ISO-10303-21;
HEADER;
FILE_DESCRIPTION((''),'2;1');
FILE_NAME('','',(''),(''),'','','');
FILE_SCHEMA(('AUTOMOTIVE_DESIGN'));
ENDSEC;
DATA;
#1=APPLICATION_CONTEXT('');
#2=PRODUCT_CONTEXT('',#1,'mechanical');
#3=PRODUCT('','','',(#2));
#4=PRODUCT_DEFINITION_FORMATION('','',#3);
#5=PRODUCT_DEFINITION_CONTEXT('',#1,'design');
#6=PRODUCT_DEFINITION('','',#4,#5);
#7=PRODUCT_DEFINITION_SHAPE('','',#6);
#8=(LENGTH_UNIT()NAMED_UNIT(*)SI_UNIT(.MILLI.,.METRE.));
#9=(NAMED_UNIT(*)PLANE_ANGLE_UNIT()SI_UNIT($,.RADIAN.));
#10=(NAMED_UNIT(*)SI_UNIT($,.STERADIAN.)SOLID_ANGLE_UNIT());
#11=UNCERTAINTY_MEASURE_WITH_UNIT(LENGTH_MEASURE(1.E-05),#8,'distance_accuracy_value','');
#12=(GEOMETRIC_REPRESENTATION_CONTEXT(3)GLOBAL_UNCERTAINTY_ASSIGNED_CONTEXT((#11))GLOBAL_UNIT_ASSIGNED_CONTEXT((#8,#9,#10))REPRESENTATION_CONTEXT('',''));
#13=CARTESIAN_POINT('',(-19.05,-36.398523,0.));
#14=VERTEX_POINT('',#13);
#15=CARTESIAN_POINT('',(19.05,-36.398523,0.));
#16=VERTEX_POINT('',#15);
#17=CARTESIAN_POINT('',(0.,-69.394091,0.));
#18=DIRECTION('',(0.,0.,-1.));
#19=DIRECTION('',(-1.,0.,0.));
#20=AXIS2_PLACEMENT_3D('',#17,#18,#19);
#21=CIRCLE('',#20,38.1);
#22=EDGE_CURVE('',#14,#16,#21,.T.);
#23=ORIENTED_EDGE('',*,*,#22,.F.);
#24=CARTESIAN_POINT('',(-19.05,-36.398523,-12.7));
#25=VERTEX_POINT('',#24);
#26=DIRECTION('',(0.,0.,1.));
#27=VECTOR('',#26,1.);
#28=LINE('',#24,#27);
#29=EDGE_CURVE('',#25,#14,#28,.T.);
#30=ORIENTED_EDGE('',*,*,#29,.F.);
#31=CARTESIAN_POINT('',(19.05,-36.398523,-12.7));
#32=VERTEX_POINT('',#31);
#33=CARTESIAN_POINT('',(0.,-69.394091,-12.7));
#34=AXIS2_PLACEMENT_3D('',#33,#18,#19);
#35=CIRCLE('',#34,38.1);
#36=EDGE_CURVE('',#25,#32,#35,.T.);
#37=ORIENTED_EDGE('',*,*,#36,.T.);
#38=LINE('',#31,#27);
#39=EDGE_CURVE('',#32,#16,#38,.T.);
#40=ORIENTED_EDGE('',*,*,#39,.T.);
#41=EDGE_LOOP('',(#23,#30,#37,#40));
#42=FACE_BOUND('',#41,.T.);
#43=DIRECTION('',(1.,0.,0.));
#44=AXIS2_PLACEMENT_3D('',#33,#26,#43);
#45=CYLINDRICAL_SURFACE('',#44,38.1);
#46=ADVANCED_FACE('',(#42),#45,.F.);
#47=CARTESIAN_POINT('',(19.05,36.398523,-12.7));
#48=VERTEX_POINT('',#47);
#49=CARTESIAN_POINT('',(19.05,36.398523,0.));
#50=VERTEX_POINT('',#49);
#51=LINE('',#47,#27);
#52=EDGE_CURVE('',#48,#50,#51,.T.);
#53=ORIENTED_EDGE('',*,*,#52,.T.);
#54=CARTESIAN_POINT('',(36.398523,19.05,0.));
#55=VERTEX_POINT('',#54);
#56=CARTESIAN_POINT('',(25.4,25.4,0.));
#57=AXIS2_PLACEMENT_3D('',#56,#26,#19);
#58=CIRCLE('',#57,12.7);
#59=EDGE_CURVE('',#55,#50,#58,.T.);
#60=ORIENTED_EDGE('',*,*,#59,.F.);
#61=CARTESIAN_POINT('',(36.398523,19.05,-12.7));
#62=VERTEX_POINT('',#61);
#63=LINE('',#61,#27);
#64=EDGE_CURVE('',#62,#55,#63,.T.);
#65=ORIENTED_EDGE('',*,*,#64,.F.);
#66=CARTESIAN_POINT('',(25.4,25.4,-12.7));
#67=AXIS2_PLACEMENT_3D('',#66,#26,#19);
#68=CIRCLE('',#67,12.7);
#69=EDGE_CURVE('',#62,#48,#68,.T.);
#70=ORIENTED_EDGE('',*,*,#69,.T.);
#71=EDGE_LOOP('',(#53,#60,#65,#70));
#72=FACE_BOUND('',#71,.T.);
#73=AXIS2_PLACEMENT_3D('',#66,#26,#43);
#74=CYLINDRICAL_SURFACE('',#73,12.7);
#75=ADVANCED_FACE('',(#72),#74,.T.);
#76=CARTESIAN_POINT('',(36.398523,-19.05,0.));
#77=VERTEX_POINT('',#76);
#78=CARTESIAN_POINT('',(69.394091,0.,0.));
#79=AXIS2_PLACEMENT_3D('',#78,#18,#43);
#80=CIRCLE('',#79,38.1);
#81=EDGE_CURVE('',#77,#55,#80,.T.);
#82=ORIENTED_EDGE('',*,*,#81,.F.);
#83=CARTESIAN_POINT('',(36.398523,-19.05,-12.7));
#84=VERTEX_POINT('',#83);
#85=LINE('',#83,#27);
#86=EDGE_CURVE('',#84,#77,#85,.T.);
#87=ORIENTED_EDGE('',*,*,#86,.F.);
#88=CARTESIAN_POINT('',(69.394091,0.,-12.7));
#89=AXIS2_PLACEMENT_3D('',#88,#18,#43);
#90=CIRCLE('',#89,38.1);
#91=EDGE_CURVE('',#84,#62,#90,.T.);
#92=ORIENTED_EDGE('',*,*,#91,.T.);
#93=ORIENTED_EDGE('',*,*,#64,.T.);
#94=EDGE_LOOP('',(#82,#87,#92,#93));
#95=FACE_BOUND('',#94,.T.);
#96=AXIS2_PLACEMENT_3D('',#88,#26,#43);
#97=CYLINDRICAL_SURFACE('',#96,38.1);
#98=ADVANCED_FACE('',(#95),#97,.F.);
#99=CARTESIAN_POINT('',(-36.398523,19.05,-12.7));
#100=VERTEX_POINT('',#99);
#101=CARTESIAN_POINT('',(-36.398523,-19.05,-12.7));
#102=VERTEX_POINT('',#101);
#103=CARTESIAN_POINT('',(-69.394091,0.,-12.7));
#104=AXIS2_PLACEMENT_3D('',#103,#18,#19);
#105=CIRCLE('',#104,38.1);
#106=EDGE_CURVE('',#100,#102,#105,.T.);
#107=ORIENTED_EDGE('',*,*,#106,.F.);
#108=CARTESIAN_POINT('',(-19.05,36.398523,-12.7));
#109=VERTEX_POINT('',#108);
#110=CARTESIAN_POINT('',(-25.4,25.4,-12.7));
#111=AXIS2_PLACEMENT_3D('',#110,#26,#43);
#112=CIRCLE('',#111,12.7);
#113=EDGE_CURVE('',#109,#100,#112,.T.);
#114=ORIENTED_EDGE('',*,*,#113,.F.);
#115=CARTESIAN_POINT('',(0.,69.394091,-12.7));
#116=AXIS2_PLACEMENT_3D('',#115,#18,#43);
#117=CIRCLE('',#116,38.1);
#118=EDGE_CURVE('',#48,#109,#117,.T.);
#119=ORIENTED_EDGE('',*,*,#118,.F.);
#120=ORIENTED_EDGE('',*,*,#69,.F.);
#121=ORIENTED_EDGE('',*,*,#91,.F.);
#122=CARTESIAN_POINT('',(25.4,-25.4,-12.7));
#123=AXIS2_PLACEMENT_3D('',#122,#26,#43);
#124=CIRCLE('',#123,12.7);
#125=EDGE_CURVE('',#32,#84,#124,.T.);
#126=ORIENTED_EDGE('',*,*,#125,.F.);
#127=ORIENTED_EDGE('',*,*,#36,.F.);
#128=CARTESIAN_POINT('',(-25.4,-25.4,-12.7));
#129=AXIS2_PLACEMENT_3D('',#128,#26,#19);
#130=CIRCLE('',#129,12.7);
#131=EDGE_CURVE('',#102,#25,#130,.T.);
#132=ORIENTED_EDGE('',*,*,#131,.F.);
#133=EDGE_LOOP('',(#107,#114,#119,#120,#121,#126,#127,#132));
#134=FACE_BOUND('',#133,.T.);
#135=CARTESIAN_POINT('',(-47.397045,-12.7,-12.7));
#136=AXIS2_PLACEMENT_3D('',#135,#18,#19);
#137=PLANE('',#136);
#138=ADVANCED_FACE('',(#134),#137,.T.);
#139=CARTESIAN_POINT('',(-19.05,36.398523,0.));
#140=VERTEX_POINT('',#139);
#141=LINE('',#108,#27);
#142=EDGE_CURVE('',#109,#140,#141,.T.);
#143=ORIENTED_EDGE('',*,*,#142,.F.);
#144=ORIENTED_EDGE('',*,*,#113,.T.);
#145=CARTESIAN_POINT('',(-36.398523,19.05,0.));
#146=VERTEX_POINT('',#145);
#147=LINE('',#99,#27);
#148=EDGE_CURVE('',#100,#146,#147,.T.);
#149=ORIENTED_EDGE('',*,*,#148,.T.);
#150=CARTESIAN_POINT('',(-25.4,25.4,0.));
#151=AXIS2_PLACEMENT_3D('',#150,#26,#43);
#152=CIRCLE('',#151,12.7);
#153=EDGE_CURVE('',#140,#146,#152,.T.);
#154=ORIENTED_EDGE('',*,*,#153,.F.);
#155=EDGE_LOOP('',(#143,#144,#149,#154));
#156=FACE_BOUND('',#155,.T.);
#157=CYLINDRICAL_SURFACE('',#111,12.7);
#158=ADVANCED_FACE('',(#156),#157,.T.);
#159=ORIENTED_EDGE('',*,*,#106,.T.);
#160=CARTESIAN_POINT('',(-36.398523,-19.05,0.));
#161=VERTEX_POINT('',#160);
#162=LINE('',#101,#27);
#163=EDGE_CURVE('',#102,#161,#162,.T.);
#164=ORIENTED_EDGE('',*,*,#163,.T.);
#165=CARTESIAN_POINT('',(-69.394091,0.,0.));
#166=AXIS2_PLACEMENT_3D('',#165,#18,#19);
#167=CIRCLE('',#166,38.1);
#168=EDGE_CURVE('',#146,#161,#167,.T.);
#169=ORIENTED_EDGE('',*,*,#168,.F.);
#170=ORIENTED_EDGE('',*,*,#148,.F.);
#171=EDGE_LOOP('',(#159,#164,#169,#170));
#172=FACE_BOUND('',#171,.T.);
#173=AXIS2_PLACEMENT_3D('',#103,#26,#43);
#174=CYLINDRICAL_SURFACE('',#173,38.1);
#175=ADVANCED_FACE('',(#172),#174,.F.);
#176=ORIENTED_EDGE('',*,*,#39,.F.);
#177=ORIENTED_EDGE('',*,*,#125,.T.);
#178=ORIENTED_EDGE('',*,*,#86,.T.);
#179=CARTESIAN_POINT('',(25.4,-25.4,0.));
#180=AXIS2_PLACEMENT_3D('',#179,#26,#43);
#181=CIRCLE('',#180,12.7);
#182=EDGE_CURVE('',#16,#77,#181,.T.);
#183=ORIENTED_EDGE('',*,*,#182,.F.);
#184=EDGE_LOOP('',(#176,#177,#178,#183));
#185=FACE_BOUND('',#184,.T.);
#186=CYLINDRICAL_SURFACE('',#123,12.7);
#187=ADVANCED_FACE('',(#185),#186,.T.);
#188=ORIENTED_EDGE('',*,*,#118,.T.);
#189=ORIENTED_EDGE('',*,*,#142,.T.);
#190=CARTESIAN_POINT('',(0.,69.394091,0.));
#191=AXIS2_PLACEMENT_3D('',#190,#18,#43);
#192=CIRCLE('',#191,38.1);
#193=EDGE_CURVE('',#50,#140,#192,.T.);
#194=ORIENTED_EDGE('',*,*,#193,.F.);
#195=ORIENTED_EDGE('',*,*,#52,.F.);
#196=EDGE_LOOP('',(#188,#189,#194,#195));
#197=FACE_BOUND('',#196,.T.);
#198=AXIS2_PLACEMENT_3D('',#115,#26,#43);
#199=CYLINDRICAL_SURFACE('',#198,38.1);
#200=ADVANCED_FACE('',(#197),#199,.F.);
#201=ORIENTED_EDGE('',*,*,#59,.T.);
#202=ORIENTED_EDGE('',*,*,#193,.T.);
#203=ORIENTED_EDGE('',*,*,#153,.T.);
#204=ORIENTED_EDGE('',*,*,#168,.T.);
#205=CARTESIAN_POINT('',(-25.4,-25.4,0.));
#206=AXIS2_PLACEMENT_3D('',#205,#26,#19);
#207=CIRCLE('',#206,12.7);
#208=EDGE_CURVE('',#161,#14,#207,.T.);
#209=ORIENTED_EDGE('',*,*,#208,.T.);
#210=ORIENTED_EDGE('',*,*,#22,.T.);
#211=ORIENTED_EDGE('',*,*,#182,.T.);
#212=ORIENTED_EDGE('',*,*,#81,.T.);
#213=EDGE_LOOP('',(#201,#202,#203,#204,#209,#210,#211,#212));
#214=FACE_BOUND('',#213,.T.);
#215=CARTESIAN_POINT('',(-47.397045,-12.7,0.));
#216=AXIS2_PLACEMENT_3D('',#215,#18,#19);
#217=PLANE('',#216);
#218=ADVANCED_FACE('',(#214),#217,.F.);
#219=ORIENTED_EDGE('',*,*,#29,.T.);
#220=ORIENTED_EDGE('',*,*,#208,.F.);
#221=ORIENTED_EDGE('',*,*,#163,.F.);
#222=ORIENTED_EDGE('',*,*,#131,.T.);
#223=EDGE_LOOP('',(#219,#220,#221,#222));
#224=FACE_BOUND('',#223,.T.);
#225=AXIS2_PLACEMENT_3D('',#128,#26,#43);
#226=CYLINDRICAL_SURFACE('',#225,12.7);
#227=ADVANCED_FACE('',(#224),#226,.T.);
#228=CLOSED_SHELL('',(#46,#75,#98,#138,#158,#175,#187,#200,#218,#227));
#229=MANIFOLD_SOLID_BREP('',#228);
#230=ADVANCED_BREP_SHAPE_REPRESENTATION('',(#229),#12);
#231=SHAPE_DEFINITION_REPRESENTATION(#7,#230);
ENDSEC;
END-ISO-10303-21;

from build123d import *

# Parameters (mm, degrees)
EXTRUDE_1_DEPTH = 12.7


with BuildPart() as part:
    # 스케치1 → 보스-돌출1 (new body)
    with BuildSketch(Plane.XY):
        with BuildLine():
            ThreePointArc((-19.05, 36.398522628), (-34.380256121, 34.380256121), (-36.398522628, 19.05))
            ThreePointArc((-36.398522628, 19.05), (-31.294090512, 0), (-36.398522628, -19.05))
            ThreePointArc((-36.398522628, -19.05), (-34.380256121, -34.380256121), (-19.05, -36.398522628))
            ThreePointArc((-19.05, -36.398522628), (0, -31.294090512), (19.05, -36.398522628))
            ThreePointArc((19.05, -36.398522628), (34.380256121, -34.380256121), (36.398522628, -19.05))
            ThreePointArc((36.398522628, -19.05), (31.294090512, 0), (36.398522628, 19.05))
            ThreePointArc((36.398522628, 19.05), (34.380256121, 34.380256121), (19.05, 36.398522628))
            ThreePointArc((19.05, 36.398522628), (0, 31.294090512), (-19.05, 36.398522628))
        make_face()
    extrude(amount=-EXTRUDE_1_DEPTH)


solid = part.part
